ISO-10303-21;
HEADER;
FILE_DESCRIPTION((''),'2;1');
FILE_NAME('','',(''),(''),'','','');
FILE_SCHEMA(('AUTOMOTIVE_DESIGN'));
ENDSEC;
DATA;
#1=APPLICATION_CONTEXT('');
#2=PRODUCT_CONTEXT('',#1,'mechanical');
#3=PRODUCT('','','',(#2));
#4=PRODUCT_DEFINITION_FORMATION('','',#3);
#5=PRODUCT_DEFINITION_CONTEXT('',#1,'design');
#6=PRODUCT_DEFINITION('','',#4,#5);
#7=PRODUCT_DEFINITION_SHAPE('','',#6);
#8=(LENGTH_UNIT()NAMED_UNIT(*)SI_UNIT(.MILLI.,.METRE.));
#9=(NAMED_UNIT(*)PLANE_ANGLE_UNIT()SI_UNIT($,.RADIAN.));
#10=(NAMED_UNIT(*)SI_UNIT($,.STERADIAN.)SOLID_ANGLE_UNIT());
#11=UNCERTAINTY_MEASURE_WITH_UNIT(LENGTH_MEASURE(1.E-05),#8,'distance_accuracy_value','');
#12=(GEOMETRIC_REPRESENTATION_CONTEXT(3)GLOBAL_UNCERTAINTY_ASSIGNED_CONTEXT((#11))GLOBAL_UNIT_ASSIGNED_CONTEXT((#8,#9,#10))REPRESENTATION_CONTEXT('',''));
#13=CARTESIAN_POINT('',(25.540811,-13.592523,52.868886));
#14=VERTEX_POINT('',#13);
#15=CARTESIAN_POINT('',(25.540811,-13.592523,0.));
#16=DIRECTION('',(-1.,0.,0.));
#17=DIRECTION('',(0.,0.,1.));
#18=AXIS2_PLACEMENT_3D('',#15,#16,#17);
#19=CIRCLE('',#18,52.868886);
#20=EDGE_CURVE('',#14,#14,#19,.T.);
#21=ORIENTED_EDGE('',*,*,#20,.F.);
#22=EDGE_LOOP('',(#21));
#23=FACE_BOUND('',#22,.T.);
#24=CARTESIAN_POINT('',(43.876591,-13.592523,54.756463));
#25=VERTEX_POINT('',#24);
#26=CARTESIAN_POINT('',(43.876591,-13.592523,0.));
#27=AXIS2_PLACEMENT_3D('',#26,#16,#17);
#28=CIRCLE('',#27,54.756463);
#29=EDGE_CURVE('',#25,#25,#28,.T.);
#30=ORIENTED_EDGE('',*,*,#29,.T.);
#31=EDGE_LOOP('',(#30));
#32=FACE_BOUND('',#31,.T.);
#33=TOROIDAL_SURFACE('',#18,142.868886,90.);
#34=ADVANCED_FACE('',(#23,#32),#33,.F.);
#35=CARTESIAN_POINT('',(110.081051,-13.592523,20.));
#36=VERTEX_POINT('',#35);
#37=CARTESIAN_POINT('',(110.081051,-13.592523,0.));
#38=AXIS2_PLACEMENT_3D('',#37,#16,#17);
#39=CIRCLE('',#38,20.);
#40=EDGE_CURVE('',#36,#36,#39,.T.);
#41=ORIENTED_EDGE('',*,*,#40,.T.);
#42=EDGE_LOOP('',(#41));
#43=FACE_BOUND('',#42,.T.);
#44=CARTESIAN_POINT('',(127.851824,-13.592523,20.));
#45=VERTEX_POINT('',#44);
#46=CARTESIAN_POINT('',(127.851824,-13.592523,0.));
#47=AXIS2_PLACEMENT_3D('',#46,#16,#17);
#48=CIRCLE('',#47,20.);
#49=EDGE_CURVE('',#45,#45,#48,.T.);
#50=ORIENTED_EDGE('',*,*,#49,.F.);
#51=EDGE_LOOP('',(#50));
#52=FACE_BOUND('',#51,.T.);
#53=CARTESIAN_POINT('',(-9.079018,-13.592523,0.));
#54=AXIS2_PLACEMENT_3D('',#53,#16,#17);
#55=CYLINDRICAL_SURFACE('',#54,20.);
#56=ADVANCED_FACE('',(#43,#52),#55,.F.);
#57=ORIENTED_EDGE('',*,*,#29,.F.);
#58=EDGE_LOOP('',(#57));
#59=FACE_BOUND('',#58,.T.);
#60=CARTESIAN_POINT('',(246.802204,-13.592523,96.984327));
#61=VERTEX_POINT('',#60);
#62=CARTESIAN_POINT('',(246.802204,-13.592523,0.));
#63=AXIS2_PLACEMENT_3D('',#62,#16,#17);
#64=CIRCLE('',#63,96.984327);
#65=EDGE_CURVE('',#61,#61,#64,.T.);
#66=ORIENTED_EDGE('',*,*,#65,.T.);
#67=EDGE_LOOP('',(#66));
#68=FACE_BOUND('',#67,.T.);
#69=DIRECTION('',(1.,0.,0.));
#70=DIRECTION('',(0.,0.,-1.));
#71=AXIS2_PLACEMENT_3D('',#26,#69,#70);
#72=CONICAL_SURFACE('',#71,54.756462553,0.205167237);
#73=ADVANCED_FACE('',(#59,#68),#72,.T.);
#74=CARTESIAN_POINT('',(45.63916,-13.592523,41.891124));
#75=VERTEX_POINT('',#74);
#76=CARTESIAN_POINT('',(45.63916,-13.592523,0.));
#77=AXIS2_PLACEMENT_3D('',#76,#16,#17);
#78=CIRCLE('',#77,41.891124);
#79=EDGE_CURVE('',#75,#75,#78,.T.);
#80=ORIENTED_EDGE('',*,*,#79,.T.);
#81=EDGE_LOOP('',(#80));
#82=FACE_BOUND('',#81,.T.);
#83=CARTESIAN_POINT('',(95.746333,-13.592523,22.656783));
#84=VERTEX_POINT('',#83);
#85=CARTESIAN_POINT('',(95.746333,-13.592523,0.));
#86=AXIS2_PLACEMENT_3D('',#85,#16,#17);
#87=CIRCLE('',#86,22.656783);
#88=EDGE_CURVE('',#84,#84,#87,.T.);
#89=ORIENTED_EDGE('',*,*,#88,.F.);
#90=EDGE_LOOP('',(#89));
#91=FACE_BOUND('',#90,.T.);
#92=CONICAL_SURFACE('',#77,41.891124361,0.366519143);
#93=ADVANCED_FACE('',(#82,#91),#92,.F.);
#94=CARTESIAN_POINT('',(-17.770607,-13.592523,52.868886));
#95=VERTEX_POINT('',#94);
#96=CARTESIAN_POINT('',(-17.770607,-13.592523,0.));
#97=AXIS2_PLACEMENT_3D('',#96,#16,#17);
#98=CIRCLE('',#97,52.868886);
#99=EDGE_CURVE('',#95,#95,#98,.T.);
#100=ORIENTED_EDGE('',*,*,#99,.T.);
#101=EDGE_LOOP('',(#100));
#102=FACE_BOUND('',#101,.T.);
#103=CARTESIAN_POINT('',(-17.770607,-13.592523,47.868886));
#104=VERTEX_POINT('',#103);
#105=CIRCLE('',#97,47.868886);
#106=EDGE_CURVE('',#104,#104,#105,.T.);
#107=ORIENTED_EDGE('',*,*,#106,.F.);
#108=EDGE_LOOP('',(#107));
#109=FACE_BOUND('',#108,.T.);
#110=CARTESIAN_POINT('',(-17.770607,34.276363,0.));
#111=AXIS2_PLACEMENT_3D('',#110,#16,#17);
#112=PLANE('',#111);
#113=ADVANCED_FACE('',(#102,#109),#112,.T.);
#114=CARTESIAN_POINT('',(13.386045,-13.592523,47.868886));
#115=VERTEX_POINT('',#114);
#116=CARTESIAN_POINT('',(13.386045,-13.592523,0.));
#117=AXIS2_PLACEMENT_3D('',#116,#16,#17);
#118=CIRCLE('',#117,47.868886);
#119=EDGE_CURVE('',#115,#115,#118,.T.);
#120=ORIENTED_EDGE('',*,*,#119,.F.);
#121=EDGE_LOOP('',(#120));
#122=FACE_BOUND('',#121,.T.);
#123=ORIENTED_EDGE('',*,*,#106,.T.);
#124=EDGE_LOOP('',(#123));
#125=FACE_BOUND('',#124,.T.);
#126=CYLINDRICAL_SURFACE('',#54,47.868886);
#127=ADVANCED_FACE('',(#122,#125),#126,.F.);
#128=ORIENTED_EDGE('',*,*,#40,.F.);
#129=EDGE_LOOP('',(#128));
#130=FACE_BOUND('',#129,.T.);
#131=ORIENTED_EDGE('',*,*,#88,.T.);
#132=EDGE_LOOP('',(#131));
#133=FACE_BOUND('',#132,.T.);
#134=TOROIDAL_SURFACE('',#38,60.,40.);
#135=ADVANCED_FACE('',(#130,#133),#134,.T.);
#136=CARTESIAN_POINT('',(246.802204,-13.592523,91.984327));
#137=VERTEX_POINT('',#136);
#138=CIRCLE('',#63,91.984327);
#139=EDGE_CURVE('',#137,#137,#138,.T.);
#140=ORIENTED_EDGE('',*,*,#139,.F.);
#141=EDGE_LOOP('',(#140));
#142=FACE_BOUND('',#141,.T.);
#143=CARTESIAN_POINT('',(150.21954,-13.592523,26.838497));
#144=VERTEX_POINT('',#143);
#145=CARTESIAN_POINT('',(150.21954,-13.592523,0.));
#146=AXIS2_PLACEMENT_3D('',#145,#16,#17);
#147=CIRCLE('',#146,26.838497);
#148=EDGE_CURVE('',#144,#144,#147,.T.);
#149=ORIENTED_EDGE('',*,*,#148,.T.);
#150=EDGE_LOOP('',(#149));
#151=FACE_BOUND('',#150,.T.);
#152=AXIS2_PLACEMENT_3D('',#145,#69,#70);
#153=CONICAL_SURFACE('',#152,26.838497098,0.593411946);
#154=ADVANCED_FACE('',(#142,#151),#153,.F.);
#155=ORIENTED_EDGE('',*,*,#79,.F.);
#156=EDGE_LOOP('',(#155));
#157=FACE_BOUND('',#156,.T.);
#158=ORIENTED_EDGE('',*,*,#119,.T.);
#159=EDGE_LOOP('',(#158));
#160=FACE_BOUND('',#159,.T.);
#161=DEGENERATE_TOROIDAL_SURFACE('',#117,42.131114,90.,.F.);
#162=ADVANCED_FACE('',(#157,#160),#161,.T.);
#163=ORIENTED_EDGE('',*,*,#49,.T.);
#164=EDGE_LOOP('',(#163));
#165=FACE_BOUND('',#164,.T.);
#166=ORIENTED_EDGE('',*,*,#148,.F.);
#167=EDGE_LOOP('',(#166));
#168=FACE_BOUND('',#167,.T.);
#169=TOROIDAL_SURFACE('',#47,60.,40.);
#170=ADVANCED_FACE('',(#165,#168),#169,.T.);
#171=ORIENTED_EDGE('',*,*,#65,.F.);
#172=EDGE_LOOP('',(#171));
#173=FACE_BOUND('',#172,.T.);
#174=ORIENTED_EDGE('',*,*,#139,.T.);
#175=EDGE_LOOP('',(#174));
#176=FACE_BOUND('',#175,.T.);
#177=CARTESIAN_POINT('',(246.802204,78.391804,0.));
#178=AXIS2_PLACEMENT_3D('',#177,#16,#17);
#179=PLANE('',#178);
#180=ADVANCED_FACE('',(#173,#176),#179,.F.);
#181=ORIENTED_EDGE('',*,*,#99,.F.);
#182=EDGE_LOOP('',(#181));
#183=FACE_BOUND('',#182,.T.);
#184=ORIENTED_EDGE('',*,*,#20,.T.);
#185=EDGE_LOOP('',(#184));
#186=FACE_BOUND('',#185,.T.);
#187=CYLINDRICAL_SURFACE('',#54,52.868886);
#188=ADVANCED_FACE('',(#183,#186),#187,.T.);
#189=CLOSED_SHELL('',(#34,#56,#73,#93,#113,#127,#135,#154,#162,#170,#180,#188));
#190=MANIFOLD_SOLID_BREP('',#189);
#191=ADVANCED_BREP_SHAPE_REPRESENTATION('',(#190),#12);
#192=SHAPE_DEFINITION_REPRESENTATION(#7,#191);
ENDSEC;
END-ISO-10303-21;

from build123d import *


with BuildPart() as part:
    # Sketch1 → Revolve2 (revolve)
    with BuildSketch(Plane.XY):
        with BuildLine():
            Line((45.639160326, 28.298601183), (95.74633283, 9.064259762))
            ThreePointArc((95.74633283, 9.064259762), (102.791629792, 7.077280519), (110.081050812, 6.407476822))
            Line((110.081050812, 6.407476822), (127.851823553, 6.407476822))
            ThreePointArc((127.851823553, 6.407476822), (139.546691742, 8.155286583), (150.219539692, 13.24597392))
            Line((150.219539692, 13.24597392), (246.802204076, 78.391803626))
            Line((246.802204076, 78.391803626), (246.802204076, 83.391803626))
            Line((246.802204076, 83.391803626), (43.876590917, 41.163939374))
            ThreePointArc((43.876590917, 41.163939374), (34.757151884, 39.749500606), (25.540810641, 39.276362798))
            Line((25.540810641, 39.276362798), (-17.770606993, 39.276362798))
            Line((-17.770606993, 39.276362798), (-17.770606993, 34.276362798))
            Line((-17.770606993, 34.276362798), (13.386044867, 34.276362798))
            ThreePointArc((13.386044867, 34.276362798), (29.787242162, 32.769304479), (45.639160326, 28.298601183))
        make_face()
    revolve(axis=Axis((-9.079018431, -13.592523178, 0), (1, 0, 0)))


solid = part.part
